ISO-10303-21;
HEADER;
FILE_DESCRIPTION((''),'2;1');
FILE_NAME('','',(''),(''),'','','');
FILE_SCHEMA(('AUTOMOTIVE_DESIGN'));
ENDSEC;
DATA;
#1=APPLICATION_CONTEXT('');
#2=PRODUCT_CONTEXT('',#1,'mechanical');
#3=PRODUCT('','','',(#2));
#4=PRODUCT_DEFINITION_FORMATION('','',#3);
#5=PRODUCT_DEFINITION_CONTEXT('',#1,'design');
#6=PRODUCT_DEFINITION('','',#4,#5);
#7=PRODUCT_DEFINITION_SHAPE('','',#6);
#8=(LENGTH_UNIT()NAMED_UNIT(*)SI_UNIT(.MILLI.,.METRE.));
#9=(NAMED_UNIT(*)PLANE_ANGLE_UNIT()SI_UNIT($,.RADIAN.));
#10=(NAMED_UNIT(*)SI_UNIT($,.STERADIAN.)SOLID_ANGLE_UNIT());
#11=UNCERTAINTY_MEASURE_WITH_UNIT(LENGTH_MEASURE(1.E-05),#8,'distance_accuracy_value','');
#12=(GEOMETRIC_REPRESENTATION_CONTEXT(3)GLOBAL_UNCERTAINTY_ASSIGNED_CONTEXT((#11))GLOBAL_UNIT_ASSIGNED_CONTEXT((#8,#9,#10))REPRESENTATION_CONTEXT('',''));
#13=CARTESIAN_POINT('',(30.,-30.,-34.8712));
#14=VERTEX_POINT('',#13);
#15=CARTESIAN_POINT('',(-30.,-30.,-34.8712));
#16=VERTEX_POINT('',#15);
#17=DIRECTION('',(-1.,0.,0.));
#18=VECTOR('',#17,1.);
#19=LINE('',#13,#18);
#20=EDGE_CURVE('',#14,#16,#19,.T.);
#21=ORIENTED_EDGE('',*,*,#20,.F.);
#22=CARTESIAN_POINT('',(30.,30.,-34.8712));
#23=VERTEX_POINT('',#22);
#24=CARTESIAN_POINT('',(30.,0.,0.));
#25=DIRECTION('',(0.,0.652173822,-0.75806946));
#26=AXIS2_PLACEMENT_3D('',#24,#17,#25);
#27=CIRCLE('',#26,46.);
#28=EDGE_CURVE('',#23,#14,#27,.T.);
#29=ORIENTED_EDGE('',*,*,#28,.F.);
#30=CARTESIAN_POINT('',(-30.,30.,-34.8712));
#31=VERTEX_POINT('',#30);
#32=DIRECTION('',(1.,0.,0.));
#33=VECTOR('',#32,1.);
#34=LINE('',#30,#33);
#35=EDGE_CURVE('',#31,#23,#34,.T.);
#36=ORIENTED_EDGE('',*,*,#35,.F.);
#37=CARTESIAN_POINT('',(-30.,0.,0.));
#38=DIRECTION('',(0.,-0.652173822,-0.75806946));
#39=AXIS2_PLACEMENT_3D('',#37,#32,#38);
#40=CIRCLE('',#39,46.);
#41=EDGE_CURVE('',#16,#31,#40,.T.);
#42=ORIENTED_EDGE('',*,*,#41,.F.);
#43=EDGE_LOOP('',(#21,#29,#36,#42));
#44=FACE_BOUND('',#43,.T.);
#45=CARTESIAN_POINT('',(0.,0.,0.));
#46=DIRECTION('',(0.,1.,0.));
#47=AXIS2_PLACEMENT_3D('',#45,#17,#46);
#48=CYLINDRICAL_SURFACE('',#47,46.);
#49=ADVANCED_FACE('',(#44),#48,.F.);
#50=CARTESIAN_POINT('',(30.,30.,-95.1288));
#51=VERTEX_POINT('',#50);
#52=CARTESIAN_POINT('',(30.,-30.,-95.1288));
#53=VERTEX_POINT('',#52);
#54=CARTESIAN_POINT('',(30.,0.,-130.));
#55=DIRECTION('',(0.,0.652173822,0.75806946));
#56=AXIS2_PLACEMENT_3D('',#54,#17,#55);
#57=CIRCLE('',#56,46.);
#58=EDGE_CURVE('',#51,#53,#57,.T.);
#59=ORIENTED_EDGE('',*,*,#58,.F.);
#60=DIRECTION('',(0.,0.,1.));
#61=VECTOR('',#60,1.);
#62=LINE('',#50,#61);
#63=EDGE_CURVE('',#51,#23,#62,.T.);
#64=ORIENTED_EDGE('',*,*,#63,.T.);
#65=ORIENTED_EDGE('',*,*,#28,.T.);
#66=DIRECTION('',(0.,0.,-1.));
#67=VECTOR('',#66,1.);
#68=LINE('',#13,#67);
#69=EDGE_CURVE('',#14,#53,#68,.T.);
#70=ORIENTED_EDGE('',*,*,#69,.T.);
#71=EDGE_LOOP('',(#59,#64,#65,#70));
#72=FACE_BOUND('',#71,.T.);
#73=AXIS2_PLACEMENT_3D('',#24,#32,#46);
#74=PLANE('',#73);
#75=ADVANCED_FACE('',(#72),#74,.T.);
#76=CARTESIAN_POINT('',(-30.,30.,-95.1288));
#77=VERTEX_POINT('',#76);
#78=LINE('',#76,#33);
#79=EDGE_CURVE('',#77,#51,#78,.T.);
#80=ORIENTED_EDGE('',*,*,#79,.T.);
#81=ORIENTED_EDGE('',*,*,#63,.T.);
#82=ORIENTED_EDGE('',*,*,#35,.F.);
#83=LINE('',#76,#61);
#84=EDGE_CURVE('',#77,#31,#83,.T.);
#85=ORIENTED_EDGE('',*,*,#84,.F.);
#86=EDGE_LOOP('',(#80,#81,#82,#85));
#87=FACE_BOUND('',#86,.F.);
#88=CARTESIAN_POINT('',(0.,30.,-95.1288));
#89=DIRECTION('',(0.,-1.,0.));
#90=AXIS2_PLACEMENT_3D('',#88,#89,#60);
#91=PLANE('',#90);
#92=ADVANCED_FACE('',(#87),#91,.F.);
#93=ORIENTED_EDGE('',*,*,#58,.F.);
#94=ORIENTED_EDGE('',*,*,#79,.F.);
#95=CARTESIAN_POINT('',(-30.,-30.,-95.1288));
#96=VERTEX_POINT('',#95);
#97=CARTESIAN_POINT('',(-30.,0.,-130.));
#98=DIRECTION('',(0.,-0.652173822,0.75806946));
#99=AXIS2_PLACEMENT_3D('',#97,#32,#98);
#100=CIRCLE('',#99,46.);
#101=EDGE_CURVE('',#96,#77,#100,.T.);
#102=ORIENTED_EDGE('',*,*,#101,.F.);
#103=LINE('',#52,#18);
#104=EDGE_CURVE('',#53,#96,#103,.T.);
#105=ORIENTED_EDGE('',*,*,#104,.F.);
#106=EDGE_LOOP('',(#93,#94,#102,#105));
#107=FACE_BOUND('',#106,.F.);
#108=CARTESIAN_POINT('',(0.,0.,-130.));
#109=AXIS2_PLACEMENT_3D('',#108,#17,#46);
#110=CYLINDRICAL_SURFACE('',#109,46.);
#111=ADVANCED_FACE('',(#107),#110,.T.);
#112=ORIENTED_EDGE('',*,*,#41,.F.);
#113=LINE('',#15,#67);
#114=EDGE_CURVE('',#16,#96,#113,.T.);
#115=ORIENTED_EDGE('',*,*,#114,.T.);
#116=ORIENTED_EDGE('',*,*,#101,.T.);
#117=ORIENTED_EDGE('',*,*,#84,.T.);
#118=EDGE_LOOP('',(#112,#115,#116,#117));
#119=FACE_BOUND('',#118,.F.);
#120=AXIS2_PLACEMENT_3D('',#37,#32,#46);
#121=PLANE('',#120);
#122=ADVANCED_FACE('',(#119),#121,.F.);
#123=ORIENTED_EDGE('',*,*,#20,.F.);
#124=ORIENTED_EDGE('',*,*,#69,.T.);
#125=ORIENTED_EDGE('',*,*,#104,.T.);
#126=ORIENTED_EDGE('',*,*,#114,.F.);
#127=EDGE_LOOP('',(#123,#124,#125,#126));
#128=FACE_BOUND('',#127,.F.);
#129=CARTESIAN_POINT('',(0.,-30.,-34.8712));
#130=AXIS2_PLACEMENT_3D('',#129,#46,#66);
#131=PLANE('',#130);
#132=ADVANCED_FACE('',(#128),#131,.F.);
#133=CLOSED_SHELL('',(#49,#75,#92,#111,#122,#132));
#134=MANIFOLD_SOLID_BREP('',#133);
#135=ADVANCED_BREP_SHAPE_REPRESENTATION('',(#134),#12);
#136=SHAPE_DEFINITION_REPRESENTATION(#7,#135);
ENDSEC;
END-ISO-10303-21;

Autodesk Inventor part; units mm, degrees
ref_plane "YZ Plane" through (0, 0, 0) normal (1, 0, 0) x (0, 1, 0)
ref_plane "XZ Plane" through (0, 0, 0) normal (0, 1, 0) x (-1, 0, 0)
ref_plane "XY Plane" through (0, 0, 0) normal (0, 0, 1) x (1, 0, 0)
sketch "Sketch17" plane through (0, 0, 0) normal (1, 0, 0) x (0, 1, 0)
  line L0 (-64.4, 0) -> (64.4, 0) construction
  line L1 (0, -220.4) -> (0, 90.4) projected
  circle A0 centre (0, 0) radius 40
  circle A1 centre (0, 0) radius 46
  line L2 (-30, -34.8712) -> (-30, -95.1288)
  line L3 (30, -95.1288) -> (30, -34.8712)
  circle A2 centre (0, -130) radius 46
  circle A3 centre (0, -130) radius 40
  point P0 (0, -46)
  point P1 (0, 46)
  dimension "d173" = 92
  dimension "d174" = 80
  dimension "d246" = 60
  dimension "d247" = 80
  dimension "d248" = 92
  dimension "d249" = 130
extrude "Extrusion18" add sketch "Sketch17" along normal mid plane 60 contours A2 L1 A3 | L1 A3 A2 | A3 L1 | L1 A3 | L2 A1 L1 A2 | L1 A1 L3 A2
fillet "Fillet17" [suppressed]
properties part number "knee"
